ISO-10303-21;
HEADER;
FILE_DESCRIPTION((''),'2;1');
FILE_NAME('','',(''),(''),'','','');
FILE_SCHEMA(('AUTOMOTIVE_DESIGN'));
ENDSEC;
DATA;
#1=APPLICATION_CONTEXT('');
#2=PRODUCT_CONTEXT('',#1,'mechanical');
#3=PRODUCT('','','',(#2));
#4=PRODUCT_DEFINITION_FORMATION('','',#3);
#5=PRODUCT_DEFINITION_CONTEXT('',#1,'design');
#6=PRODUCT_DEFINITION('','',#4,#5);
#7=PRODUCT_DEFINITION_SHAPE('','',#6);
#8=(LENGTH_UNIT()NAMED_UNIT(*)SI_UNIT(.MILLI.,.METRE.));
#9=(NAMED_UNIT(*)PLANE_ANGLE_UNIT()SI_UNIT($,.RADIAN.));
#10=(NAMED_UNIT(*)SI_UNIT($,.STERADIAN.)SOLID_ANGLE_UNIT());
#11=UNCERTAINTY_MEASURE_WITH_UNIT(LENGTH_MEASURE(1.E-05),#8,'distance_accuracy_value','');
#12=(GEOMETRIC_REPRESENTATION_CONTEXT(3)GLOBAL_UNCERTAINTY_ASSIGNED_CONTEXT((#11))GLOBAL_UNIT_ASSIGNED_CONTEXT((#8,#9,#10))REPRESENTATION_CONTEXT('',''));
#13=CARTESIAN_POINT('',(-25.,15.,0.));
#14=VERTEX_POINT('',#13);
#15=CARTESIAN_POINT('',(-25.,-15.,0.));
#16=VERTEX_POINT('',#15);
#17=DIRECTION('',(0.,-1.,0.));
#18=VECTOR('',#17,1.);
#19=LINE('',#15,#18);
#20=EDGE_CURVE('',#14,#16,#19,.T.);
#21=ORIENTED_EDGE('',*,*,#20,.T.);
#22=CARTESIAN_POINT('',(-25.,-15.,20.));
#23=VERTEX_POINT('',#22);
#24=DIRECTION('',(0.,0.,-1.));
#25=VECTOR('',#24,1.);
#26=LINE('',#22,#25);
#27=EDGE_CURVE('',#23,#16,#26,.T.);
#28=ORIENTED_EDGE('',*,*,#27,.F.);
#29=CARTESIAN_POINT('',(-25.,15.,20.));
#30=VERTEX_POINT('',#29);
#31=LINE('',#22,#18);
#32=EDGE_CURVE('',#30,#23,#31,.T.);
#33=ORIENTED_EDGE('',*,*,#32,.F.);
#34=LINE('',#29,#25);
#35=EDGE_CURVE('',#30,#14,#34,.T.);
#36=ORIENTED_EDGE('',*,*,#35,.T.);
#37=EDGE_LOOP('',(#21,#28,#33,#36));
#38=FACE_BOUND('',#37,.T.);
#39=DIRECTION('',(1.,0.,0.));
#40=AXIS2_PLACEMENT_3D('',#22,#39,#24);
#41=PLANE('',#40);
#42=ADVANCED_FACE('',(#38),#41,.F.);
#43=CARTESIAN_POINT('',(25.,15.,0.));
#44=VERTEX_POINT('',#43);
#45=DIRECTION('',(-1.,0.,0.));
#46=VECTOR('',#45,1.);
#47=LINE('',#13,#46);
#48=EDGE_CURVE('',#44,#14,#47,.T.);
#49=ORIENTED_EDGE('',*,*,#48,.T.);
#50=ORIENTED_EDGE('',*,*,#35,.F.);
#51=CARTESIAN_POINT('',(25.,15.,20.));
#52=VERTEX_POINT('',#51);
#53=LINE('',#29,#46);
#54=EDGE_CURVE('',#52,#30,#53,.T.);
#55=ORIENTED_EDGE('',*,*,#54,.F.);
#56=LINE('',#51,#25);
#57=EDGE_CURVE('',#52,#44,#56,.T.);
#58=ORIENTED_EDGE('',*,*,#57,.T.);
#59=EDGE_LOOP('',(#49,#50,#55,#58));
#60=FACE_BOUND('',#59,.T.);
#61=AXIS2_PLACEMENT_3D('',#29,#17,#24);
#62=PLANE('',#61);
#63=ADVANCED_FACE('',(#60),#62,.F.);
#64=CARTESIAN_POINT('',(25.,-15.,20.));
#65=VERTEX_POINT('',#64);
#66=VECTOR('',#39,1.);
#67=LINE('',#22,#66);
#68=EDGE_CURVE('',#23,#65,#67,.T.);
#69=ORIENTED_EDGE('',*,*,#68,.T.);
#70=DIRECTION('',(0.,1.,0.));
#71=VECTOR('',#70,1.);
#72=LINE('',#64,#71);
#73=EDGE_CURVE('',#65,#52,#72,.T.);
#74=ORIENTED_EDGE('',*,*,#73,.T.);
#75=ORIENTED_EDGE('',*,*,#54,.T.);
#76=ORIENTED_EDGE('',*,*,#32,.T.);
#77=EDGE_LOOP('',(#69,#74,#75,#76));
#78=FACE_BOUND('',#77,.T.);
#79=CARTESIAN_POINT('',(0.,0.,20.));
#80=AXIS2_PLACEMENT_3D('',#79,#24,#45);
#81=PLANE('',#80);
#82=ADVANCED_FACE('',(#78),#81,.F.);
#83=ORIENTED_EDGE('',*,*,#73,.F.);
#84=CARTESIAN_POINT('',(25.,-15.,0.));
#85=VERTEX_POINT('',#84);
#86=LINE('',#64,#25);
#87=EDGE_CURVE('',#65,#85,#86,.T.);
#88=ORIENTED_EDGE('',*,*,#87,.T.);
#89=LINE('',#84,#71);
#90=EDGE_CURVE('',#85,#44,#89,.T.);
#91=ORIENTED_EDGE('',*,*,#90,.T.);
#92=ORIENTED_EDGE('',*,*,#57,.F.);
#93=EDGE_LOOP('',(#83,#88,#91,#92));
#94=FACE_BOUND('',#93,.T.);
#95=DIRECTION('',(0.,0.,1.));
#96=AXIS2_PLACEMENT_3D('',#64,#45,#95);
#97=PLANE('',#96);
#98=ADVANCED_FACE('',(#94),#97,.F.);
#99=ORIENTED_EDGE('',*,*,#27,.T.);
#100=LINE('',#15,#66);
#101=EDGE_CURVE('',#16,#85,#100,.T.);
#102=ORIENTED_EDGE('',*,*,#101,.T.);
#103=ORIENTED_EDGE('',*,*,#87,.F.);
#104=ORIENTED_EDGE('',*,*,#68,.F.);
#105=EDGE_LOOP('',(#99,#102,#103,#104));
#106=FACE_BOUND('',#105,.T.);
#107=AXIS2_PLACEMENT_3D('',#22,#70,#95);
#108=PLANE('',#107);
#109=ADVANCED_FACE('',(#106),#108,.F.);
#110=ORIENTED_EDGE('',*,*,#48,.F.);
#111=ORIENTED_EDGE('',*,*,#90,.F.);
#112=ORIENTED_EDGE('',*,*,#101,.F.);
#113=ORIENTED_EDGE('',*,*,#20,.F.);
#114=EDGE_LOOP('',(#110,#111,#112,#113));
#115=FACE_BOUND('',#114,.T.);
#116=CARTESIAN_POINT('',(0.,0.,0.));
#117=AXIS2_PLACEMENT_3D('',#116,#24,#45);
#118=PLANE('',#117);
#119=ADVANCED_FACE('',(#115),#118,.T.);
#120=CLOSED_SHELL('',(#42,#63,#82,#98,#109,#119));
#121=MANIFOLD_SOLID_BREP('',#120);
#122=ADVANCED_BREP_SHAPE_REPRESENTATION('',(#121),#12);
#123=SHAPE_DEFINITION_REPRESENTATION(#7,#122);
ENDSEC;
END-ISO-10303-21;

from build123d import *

# Parameters (mm, degrees)
SKETCH_1_W      = 50
SKETCH_1_H      = 30
EXTRUDE_1_DEPTH = 20


with BuildPart() as part:
    # 草图1 → 凸台-拉伸1 (new body)
    with BuildSketch(Plane.XY):
        Rectangle(SKETCH_1_W, SKETCH_1_H)
    extrude(amount=EXTRUDE_1_DEPTH)


solid = part.part
